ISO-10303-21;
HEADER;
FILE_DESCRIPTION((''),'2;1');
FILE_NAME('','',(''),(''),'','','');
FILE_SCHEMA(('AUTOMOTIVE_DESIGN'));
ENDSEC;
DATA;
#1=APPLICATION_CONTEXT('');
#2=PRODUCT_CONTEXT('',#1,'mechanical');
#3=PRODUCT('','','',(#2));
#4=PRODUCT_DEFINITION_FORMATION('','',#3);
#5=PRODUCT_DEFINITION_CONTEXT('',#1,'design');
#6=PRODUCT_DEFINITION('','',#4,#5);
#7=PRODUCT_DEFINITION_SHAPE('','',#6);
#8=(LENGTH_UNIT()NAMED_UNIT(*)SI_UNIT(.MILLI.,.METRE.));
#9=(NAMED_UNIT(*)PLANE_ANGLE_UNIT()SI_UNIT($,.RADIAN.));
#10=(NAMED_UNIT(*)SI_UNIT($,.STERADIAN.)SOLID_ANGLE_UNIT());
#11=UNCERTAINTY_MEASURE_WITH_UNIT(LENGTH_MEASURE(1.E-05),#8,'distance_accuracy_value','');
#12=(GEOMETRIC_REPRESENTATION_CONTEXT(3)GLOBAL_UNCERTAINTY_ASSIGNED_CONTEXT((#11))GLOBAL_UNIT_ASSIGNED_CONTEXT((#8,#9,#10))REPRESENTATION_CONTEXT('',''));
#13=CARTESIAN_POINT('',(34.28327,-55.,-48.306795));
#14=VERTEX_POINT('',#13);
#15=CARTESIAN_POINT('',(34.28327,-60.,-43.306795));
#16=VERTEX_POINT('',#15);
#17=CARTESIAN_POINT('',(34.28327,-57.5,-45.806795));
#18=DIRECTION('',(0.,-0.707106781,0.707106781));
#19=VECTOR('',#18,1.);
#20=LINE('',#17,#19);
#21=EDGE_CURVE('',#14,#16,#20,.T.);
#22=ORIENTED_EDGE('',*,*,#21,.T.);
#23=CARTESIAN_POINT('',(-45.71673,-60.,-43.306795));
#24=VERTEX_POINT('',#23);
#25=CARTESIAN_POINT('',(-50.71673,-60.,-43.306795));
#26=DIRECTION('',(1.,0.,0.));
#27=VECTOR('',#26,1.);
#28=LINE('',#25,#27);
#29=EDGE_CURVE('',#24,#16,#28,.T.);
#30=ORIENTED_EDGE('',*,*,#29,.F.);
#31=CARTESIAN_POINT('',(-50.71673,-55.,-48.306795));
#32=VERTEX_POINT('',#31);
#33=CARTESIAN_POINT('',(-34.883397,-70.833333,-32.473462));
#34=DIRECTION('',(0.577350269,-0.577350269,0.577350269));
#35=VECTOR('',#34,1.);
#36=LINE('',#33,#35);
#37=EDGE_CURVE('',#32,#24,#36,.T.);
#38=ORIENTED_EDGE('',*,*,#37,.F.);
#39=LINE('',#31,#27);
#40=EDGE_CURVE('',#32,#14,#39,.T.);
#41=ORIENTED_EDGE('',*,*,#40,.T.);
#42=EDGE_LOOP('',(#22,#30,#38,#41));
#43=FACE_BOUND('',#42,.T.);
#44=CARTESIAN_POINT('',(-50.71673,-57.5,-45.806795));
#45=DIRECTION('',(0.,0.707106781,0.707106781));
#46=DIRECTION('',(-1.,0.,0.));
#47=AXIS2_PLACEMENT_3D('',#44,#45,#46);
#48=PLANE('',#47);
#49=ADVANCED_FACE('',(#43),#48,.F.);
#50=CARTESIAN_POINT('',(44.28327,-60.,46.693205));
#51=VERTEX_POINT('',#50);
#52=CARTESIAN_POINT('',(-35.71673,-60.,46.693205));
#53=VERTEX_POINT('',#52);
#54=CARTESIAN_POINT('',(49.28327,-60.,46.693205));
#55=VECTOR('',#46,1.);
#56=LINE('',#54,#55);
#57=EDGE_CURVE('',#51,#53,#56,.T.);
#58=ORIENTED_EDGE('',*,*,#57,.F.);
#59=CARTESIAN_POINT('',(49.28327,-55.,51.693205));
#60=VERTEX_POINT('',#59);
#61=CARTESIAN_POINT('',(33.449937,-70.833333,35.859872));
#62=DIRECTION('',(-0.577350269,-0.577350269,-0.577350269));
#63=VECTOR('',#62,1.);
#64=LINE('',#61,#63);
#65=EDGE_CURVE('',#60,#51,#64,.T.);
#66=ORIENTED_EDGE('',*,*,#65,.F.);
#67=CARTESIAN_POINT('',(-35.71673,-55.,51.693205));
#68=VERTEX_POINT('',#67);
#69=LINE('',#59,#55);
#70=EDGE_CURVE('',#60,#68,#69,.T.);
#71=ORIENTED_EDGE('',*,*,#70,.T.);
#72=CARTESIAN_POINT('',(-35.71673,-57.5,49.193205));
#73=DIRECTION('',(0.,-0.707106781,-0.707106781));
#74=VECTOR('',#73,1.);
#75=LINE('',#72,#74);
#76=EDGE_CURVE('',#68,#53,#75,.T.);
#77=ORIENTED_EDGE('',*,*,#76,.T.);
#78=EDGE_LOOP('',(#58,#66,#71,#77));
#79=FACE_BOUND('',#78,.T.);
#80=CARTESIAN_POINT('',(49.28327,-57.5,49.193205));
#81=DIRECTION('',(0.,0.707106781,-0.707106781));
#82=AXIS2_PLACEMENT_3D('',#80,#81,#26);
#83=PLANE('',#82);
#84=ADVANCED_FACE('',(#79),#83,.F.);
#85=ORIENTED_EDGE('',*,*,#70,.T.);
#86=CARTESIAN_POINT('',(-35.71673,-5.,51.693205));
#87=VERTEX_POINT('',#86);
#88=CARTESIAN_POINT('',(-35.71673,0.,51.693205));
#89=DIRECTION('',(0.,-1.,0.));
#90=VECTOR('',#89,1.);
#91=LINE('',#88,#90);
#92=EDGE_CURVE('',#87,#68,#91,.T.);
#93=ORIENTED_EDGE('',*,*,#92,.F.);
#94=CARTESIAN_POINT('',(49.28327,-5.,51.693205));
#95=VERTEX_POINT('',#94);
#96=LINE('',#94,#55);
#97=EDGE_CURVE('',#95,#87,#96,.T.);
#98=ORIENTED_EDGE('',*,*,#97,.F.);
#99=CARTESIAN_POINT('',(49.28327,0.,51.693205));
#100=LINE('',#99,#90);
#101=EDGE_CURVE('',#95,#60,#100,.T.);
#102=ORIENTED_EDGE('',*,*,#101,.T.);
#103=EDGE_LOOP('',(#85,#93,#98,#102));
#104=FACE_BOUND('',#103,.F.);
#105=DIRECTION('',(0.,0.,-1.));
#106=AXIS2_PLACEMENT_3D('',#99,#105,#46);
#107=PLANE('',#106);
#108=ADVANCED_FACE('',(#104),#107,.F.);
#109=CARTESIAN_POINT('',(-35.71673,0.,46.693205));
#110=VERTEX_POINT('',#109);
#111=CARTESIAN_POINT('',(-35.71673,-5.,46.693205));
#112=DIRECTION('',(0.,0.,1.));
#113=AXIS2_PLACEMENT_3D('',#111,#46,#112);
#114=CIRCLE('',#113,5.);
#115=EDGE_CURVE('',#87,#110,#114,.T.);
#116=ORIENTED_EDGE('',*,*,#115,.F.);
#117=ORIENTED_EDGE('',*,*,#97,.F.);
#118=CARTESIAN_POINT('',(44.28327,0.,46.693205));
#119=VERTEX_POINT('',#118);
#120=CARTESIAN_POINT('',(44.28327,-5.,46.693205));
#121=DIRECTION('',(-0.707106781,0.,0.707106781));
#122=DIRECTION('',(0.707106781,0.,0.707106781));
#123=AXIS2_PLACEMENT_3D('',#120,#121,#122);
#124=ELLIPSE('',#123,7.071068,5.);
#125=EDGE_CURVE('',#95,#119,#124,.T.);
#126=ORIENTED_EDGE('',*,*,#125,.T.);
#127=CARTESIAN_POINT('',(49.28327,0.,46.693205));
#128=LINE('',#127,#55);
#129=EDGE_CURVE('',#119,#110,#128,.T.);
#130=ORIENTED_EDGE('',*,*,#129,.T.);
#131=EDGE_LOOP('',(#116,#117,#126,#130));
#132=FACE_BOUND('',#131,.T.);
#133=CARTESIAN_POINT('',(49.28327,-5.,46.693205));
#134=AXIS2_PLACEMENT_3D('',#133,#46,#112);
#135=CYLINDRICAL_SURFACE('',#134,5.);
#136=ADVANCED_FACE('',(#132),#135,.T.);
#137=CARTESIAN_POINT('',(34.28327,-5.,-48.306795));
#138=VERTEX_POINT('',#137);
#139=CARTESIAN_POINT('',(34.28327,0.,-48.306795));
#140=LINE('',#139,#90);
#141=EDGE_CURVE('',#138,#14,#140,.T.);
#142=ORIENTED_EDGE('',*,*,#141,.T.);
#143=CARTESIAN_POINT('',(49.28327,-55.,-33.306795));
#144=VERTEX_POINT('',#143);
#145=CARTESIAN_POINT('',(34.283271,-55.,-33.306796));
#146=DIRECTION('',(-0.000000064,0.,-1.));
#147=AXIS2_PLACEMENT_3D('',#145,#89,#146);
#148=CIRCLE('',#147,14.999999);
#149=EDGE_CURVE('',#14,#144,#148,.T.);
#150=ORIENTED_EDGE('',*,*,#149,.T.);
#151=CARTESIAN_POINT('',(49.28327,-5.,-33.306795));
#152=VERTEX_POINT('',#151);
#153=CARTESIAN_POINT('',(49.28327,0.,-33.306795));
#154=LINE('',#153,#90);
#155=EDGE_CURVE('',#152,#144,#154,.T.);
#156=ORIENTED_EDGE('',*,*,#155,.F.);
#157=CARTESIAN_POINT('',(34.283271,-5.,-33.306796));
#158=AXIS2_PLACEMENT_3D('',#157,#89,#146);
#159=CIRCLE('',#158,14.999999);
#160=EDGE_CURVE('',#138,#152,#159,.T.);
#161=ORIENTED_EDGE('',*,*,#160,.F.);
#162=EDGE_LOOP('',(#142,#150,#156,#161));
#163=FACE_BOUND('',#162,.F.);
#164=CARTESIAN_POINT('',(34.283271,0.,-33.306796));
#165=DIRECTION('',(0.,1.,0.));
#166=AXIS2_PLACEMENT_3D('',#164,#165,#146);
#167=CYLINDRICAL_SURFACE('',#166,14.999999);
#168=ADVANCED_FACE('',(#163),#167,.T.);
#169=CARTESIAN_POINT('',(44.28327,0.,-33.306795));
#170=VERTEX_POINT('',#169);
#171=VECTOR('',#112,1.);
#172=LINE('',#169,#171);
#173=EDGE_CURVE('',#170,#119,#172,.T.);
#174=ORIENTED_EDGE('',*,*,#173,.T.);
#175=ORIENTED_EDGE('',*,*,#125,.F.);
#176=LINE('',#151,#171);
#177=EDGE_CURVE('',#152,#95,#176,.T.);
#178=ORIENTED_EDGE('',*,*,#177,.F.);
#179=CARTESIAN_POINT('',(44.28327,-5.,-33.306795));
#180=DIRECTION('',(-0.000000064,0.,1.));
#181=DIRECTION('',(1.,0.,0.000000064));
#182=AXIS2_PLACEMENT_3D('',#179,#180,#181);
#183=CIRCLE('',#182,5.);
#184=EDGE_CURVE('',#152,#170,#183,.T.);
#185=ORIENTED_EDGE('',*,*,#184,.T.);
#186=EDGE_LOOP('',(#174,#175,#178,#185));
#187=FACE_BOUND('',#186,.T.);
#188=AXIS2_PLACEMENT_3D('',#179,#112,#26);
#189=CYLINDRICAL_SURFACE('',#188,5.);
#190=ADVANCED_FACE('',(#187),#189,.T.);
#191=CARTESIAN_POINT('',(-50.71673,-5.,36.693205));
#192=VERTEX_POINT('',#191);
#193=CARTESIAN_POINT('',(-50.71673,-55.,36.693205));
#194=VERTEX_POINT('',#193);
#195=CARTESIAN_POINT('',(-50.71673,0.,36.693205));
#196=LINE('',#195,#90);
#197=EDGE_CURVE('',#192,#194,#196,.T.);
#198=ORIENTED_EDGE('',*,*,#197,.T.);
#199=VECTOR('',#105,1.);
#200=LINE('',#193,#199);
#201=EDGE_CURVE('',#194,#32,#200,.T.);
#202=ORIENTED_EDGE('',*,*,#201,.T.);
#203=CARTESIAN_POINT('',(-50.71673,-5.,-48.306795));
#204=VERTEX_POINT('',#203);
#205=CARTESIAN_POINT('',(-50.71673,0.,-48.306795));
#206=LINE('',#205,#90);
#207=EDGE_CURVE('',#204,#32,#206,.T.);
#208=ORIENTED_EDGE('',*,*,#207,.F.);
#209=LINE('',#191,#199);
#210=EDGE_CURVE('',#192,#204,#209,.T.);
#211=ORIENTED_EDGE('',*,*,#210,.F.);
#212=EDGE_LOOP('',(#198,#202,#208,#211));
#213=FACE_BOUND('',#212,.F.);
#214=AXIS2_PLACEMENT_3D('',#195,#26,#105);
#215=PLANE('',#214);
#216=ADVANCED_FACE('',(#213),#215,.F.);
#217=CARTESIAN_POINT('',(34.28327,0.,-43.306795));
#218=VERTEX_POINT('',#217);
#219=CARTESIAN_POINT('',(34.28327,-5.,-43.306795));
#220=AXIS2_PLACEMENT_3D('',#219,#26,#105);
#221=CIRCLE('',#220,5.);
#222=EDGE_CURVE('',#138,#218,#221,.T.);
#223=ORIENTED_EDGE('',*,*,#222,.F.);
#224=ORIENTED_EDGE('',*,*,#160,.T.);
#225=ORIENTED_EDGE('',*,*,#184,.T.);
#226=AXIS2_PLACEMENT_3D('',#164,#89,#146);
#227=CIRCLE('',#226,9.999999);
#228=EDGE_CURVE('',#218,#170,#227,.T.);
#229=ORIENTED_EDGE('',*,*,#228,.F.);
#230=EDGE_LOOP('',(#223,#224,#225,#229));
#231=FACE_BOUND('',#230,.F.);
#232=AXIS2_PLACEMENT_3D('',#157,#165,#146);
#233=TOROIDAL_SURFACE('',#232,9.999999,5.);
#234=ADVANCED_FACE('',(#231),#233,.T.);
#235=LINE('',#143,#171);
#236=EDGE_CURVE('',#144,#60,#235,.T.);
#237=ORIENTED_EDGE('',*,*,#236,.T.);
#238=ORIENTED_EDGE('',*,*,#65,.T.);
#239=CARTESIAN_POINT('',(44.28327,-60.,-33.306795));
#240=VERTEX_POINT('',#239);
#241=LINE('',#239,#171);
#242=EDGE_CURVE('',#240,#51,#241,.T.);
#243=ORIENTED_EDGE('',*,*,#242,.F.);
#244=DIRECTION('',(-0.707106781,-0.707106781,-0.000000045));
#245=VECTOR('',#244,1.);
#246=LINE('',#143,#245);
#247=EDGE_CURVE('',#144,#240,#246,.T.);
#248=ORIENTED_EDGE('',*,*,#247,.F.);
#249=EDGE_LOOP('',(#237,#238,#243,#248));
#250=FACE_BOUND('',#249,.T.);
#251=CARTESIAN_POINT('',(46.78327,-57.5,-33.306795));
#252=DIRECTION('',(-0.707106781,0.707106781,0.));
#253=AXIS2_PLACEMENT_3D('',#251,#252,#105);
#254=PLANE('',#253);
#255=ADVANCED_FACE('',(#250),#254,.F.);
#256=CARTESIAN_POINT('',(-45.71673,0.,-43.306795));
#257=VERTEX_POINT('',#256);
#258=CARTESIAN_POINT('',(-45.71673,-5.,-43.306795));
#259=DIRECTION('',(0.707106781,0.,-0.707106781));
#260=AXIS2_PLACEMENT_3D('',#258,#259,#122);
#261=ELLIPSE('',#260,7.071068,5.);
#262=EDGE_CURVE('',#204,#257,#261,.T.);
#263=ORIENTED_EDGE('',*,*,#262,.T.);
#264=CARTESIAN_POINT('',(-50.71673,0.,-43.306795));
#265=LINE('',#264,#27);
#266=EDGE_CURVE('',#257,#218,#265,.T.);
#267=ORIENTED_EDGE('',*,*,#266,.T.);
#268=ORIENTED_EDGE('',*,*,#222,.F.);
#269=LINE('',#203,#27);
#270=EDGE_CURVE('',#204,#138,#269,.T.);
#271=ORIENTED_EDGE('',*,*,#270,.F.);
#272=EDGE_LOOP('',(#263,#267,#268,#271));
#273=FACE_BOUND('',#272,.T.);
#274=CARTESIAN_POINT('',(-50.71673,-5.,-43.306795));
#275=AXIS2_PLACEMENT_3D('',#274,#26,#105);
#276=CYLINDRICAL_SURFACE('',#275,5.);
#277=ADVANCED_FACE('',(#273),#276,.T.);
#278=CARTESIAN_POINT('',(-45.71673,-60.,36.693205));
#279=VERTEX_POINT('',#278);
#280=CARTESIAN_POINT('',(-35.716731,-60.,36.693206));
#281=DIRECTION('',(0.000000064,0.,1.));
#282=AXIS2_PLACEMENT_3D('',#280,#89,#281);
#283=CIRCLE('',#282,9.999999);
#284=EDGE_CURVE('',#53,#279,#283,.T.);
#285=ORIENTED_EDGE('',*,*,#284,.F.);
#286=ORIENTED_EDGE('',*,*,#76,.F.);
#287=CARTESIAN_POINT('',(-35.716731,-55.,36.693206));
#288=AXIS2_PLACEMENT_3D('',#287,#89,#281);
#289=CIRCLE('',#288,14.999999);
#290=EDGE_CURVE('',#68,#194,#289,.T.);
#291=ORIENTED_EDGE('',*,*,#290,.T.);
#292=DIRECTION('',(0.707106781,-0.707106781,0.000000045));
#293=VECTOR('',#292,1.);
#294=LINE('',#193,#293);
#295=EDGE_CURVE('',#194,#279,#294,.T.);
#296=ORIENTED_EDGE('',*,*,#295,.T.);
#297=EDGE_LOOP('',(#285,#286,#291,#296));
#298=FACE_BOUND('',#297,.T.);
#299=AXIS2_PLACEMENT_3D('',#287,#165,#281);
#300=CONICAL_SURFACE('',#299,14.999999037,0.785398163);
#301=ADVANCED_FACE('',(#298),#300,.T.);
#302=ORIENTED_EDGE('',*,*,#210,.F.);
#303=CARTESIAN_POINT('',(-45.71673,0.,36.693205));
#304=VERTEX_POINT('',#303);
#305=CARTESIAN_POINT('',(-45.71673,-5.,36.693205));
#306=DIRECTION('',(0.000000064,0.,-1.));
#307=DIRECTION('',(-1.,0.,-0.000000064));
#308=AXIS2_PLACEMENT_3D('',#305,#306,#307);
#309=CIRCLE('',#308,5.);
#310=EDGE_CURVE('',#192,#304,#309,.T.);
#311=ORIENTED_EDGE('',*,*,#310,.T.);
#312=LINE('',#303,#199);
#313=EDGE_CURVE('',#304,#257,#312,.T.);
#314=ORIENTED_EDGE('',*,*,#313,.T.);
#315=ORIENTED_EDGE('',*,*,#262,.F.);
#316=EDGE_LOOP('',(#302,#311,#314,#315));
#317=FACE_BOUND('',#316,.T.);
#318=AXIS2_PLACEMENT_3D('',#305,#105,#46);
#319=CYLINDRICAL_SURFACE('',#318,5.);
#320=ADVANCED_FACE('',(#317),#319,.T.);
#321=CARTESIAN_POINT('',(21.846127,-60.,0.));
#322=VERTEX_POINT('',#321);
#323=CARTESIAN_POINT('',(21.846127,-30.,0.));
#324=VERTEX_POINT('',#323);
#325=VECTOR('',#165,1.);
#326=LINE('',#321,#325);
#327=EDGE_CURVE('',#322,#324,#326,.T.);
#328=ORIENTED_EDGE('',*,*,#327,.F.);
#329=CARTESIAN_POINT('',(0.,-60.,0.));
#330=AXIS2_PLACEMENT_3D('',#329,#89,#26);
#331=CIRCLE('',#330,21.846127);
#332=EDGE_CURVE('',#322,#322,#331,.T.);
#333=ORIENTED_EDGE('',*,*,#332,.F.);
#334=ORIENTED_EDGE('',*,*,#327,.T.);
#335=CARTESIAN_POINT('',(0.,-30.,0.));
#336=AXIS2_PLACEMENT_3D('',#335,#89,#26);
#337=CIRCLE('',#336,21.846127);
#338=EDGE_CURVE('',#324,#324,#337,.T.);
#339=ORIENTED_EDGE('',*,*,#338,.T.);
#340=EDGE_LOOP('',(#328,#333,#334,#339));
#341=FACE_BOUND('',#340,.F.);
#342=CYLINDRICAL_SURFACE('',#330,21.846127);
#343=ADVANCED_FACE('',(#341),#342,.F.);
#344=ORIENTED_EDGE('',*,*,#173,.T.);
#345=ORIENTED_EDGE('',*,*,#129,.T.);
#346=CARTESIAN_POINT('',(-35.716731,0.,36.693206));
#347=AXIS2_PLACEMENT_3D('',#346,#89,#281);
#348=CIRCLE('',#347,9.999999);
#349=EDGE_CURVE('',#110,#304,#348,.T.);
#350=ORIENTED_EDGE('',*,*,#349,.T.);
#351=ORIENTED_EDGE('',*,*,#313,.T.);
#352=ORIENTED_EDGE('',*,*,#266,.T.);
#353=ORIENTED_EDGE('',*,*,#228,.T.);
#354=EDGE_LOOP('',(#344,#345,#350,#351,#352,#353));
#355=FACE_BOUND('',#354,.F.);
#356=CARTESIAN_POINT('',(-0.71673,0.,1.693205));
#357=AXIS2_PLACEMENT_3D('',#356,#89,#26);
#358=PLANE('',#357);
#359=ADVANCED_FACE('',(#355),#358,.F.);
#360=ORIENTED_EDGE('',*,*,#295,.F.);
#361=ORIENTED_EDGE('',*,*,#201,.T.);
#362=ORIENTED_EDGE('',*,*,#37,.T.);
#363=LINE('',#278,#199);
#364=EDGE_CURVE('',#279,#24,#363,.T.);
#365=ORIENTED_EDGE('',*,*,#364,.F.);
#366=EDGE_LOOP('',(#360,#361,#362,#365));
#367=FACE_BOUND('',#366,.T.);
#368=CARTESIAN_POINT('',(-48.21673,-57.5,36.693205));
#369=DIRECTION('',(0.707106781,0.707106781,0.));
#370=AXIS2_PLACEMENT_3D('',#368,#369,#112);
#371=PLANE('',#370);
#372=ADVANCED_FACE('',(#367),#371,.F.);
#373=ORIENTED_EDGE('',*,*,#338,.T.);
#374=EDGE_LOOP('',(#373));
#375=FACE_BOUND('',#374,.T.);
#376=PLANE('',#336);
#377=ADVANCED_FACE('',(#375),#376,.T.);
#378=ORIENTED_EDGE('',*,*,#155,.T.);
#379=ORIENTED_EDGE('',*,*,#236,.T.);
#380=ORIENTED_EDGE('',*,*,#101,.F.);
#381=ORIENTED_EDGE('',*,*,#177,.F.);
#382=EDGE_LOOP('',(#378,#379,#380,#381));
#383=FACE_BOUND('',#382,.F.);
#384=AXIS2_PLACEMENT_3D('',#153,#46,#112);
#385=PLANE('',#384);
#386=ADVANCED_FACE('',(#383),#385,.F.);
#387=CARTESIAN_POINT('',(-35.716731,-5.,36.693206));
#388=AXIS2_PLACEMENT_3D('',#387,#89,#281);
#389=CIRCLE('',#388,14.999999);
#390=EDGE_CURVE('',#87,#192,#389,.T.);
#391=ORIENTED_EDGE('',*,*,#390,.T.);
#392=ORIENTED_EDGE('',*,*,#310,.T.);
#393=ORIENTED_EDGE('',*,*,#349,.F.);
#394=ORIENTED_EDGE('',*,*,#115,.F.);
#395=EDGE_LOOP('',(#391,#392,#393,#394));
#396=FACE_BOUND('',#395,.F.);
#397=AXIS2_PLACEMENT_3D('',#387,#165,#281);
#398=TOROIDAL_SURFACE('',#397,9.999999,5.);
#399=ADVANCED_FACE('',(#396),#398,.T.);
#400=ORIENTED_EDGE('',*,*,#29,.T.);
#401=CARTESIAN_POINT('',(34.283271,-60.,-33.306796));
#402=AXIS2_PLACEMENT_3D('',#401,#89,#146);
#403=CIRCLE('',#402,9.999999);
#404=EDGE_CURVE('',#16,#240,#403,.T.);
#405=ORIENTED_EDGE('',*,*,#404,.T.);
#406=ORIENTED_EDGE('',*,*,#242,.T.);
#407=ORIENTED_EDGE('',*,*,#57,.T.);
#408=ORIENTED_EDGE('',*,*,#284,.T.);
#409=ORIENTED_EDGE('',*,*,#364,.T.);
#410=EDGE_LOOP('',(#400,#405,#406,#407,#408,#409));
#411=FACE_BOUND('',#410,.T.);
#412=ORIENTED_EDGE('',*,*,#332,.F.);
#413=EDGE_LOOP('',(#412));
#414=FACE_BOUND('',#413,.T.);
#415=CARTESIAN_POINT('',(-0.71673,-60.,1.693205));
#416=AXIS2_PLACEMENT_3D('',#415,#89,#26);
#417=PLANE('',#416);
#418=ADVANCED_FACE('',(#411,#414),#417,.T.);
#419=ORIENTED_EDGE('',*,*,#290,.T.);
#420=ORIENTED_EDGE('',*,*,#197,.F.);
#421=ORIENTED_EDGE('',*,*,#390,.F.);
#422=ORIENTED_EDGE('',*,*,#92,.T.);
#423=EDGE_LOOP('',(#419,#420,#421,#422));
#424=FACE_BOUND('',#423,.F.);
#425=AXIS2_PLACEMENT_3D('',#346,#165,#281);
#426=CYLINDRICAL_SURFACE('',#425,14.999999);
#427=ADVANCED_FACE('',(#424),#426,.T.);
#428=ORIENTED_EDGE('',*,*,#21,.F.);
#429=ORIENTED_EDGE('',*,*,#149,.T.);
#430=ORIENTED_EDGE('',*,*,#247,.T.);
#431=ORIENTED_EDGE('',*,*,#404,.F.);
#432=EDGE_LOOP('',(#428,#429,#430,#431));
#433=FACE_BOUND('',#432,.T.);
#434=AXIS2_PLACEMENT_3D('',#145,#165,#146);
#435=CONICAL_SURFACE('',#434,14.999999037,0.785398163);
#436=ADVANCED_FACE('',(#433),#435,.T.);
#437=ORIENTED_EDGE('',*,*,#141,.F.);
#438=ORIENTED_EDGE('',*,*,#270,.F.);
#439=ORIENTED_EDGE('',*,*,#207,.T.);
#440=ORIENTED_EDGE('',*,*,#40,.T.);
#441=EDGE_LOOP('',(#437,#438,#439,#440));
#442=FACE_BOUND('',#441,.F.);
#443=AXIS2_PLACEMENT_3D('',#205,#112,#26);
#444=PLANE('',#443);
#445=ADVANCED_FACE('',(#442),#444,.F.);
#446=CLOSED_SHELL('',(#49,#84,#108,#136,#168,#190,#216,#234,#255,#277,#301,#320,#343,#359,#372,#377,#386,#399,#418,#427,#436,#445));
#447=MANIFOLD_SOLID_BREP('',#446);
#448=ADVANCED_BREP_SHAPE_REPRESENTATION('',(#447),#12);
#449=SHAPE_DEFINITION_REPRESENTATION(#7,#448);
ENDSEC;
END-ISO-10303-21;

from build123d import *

# Parameters (mm, degrees)
F1_DEPTH = 60
F2_R     = 5
F3_SIZE  = 5
F5_R     = 21.846127
F6_DEPTH = 30


with BuildPart() as f1:
    # F0 (on Front) → F1 (new body)
    with BuildSketch(Plane.XZ):
        with BuildLine():
            Line((49.28327, 51.693205), (-35.71673, 51.693205))
            ThreePointArc((-35.71673, 51.693205), (-46.323332, 47.299807), (-50.71673, 36.693205))
            Line((-50.71673, 36.693205), (-50.71673, -48.306795))
            Line((-50.71673, -48.306795), (34.28327, -48.306795))
            ThreePointArc((34.28327, -48.306795), (44.889872, -43.913397), (49.28327, -33.306795))
            Line((49.28327, -33.306795), (49.28327, 51.693205))
        make_face()
    extrude(amount=F1_DEPTH)

    # F2
    f2_edges = [f1.edges().sort_by_distance(p)[0] for p in [
        (49.28327, 0, 9.193205),
        (6.78327, 0, 51.693205),
        (-46.323332, 0, 47.299807),
        (-50.71673, 0, -5.806795),
        (-8.21673, 0, -48.306795),
        (44.889872, 0, -43.913397),
    ]]
    fillet(f2_edges, radius=F2_R)

    # F3
    f3_edges = [f1.edges().sort_by_distance(p)[0] for p in [
        (49.28327, -60, 9.193205),
        (6.78327, -60, 51.693205),
        (-46.323332, -60, 47.299807),
        (-50.71673, -60, -5.806795),
        (-8.21673, -60, -48.306795),
        (44.889872, -60, -43.913397),
    ]]
    chamfer(f3_edges, length=F3_SIZE)

    # F5 (on face) → F6 (cut)
    with BuildSketch(Plane.XZ.offset(60)):
        Circle(F5_R)
    extrude(amount=-F6_DEPTH, mode=Mode.SUBTRACT)


solid = f1.part
